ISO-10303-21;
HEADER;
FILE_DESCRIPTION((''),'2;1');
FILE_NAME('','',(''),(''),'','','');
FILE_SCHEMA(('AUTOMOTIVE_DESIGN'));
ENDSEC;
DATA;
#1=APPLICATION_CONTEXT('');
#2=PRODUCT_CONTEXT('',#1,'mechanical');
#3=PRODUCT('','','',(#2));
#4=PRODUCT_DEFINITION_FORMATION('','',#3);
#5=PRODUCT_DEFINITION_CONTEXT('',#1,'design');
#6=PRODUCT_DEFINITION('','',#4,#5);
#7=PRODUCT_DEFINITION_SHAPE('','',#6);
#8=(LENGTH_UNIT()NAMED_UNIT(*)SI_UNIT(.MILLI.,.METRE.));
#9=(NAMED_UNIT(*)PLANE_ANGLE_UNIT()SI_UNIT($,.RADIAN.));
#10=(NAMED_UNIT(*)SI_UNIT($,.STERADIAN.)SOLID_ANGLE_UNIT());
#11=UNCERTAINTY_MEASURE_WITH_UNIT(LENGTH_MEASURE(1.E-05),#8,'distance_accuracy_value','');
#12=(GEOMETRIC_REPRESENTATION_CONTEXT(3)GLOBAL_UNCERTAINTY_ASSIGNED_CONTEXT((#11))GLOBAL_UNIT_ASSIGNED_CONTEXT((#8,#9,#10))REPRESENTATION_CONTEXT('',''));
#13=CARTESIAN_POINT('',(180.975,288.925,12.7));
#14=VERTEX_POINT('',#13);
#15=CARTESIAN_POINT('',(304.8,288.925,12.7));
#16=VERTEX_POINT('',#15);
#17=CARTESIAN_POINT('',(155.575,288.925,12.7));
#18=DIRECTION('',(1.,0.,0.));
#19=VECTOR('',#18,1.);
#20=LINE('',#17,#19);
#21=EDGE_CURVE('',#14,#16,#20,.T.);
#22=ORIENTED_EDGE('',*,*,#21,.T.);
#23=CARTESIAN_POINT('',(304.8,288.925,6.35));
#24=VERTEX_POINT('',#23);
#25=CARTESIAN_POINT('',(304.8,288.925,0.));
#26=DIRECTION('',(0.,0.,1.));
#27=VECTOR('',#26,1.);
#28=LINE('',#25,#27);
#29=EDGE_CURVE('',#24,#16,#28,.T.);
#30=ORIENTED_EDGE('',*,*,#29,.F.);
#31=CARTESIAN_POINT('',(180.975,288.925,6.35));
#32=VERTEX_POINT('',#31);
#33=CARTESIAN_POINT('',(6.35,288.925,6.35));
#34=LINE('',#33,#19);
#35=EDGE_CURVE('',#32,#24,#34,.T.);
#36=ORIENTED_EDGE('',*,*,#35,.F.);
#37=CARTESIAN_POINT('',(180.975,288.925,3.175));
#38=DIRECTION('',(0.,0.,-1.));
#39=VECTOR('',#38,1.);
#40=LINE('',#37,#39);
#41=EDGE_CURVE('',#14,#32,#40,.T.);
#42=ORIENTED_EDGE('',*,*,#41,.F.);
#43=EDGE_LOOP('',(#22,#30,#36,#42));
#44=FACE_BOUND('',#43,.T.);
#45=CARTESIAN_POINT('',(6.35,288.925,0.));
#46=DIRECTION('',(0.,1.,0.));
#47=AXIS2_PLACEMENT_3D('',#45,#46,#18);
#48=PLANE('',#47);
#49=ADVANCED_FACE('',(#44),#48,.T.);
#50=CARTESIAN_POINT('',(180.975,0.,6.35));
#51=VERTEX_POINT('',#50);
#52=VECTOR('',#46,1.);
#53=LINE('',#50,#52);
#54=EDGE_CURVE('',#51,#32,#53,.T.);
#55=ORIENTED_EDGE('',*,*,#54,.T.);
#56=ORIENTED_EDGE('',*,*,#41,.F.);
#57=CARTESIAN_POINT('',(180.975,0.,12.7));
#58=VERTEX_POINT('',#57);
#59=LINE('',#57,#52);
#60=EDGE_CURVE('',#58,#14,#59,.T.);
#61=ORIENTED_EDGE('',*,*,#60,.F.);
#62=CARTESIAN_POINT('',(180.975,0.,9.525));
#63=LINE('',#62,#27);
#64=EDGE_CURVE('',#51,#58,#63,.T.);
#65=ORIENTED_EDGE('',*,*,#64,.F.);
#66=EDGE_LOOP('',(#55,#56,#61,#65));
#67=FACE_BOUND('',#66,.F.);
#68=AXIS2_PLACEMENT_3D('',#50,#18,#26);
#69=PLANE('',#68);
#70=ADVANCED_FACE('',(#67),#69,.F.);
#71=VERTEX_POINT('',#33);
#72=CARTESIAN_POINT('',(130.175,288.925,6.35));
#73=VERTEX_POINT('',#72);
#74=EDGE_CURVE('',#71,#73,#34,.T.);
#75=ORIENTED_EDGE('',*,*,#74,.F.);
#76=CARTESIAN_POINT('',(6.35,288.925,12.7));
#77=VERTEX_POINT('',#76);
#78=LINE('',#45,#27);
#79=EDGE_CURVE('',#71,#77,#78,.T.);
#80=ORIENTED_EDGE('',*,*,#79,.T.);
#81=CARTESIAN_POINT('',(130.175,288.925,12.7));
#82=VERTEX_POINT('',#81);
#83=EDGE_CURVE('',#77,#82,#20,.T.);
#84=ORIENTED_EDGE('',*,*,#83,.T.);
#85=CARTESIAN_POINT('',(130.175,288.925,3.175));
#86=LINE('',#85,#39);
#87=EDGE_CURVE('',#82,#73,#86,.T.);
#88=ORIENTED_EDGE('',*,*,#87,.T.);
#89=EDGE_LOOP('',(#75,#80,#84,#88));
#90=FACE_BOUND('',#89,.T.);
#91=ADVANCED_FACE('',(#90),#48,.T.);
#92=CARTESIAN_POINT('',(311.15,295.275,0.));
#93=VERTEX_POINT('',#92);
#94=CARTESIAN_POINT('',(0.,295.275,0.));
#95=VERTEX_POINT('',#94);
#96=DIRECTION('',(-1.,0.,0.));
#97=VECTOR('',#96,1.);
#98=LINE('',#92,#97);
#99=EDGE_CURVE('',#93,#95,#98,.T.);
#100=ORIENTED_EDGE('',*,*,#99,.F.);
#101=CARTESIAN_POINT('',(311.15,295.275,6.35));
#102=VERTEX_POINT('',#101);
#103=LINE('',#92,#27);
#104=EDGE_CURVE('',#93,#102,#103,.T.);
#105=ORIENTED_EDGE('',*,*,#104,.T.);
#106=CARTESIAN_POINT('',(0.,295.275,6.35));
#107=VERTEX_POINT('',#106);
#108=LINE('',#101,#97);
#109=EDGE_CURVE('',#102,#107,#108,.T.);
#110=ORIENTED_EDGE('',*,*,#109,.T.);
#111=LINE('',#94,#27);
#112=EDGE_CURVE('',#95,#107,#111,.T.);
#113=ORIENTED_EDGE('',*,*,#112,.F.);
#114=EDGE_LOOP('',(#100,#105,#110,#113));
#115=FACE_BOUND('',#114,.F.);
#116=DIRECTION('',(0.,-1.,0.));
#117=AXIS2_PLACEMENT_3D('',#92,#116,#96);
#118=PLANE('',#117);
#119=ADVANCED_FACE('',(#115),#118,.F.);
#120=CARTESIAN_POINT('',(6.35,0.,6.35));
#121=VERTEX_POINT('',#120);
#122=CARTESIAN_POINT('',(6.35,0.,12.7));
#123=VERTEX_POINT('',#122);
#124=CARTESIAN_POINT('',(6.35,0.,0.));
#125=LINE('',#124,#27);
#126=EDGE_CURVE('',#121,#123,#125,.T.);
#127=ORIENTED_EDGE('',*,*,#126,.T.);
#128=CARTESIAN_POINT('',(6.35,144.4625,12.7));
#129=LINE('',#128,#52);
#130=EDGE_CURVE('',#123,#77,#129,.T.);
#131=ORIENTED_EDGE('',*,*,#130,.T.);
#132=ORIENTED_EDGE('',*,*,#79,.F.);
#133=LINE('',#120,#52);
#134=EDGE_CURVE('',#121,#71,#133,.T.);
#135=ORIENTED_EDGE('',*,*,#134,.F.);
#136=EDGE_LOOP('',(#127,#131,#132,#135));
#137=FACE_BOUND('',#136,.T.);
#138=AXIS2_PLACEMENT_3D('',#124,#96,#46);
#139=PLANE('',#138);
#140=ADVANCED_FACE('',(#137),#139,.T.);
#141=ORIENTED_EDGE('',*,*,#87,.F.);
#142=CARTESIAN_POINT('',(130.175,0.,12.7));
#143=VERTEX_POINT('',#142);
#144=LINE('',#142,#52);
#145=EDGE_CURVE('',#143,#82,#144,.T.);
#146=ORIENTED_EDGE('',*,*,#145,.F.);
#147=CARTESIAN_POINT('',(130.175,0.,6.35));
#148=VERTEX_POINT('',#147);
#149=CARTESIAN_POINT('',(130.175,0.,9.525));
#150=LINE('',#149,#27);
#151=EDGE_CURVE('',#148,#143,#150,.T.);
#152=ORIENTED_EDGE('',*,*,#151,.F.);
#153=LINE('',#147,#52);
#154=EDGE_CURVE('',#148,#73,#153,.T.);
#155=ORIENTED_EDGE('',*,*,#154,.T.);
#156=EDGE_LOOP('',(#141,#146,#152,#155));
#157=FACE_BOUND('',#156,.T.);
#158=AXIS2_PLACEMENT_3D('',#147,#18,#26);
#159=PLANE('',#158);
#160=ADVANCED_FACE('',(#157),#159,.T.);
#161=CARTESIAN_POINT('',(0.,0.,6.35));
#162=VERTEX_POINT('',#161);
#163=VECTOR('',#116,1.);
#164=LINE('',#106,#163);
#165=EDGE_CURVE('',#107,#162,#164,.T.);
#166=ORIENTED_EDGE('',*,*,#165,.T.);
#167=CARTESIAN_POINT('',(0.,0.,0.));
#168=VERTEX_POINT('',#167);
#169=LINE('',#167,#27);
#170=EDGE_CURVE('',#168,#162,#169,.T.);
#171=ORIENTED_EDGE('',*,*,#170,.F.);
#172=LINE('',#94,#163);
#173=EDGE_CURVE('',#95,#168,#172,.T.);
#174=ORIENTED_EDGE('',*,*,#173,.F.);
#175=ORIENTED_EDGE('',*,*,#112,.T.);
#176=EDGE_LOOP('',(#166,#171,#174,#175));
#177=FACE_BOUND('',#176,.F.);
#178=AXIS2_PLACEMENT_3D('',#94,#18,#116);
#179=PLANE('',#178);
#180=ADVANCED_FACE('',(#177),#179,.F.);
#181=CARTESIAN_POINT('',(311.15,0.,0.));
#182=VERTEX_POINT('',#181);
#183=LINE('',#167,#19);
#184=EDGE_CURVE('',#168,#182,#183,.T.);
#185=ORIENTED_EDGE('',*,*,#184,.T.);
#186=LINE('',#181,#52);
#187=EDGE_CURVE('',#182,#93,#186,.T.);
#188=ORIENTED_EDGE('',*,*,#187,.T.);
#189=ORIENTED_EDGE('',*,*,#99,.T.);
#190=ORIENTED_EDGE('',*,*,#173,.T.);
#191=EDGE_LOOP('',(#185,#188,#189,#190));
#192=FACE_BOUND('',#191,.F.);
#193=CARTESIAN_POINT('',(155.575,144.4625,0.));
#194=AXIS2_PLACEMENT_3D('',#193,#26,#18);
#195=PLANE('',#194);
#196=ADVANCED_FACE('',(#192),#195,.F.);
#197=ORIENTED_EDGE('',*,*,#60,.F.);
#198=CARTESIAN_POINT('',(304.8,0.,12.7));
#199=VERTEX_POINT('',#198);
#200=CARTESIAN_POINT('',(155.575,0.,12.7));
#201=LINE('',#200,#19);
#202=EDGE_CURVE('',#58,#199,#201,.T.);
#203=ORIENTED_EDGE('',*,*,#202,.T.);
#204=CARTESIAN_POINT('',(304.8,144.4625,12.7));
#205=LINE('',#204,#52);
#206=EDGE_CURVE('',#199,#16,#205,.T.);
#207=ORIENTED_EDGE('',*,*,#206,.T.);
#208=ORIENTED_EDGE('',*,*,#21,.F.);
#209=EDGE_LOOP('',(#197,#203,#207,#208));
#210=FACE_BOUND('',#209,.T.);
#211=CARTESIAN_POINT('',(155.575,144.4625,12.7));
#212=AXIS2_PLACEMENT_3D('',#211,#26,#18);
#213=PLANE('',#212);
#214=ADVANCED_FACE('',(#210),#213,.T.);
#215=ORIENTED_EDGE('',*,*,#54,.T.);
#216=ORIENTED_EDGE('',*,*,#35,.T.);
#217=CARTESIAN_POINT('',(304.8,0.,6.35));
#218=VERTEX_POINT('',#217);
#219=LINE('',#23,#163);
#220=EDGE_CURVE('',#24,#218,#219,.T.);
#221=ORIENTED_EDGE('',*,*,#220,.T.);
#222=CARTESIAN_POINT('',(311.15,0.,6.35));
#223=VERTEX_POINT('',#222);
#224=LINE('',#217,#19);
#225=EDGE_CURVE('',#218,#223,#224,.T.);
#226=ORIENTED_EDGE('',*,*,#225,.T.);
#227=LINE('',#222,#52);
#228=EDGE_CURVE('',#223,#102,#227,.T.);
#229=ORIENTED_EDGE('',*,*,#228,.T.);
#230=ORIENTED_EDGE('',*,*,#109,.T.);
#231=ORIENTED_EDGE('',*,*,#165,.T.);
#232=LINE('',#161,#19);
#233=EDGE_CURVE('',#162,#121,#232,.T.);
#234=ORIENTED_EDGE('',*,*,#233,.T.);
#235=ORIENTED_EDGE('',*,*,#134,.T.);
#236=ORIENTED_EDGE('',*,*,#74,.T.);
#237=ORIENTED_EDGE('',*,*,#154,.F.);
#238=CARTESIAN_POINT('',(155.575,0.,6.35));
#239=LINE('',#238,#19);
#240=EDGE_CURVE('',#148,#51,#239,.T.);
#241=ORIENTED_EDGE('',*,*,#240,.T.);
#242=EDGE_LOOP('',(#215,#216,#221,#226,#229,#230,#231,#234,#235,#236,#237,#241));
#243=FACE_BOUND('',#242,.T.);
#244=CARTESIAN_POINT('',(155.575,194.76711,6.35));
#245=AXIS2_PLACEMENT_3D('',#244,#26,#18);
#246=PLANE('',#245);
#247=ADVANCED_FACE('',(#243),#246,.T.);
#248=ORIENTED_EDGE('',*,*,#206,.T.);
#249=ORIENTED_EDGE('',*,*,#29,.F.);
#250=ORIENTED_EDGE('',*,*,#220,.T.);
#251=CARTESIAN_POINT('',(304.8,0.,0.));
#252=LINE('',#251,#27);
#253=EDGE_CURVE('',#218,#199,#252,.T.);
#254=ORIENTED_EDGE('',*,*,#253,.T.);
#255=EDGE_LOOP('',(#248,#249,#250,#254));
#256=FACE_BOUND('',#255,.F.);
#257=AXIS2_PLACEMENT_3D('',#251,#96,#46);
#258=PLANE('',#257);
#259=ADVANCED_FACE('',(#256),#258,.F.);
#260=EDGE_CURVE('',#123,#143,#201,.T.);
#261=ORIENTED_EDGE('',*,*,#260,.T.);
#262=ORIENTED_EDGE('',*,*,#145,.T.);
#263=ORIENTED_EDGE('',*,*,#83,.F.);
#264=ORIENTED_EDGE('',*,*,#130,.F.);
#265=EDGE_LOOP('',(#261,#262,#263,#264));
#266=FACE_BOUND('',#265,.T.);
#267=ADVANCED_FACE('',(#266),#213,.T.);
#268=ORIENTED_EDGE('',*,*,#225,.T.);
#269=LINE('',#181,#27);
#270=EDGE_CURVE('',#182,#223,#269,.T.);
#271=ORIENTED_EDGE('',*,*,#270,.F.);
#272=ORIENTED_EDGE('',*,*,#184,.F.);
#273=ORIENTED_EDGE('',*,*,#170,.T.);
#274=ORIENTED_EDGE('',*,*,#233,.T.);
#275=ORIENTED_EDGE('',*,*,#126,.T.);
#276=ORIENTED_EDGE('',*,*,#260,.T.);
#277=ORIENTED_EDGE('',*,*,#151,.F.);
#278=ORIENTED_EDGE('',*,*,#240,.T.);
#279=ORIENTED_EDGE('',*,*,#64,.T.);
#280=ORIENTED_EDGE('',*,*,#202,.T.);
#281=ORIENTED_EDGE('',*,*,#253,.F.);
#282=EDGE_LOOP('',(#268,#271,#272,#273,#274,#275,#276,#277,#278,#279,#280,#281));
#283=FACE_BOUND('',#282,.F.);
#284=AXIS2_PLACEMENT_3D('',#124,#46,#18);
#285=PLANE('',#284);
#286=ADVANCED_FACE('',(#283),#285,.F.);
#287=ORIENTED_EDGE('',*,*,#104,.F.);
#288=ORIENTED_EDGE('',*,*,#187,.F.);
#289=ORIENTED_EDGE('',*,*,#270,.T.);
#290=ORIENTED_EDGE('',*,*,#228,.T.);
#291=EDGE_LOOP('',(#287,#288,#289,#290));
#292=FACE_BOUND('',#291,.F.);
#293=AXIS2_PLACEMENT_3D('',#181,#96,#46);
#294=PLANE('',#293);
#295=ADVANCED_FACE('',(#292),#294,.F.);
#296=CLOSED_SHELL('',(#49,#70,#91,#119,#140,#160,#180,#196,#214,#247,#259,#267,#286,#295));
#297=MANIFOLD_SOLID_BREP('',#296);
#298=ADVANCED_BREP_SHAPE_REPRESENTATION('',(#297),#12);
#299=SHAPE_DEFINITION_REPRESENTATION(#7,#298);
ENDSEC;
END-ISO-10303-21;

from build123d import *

# Parameters (mm, degrees)
F1_DEPTH = 6.35
F0_W     = 298.45
F0_H     = 288.925
F2_DEPTH = 12.7
F3_W     = 50.8
F3_H     = 6.35
F4_DEPTH = 295.276


with BuildPart() as f1:
    # F0 (on Top) → F1 (new body)
    with BuildSketch(Plane.XY):
        Polygon((0, 295.275), (0, 0), (6.35, 0), (6.35, 288.925), (304.8, 288.925), (304.8, 0), (311.15, 0), (311.15, 295.275), align=None)
    extrude(amount=F1_DEPTH)

    # F0 (on Top) → F2 (join)
    with BuildSketch(Plane.XY):
        with Locations((155.575, 144.4625)):
            Rectangle(F0_W, F0_H)
    extrude(amount=F2_DEPTH)

    # F3 (on face) → F4 (cut, through all)
    with BuildSketch(Plane.XZ):
        with Locations((155.575, 9.525)):
            Rectangle(F3_W, F3_H)
    extrude(amount=-F4_DEPTH, mode=Mode.SUBTRACT)


solid = f1.part
